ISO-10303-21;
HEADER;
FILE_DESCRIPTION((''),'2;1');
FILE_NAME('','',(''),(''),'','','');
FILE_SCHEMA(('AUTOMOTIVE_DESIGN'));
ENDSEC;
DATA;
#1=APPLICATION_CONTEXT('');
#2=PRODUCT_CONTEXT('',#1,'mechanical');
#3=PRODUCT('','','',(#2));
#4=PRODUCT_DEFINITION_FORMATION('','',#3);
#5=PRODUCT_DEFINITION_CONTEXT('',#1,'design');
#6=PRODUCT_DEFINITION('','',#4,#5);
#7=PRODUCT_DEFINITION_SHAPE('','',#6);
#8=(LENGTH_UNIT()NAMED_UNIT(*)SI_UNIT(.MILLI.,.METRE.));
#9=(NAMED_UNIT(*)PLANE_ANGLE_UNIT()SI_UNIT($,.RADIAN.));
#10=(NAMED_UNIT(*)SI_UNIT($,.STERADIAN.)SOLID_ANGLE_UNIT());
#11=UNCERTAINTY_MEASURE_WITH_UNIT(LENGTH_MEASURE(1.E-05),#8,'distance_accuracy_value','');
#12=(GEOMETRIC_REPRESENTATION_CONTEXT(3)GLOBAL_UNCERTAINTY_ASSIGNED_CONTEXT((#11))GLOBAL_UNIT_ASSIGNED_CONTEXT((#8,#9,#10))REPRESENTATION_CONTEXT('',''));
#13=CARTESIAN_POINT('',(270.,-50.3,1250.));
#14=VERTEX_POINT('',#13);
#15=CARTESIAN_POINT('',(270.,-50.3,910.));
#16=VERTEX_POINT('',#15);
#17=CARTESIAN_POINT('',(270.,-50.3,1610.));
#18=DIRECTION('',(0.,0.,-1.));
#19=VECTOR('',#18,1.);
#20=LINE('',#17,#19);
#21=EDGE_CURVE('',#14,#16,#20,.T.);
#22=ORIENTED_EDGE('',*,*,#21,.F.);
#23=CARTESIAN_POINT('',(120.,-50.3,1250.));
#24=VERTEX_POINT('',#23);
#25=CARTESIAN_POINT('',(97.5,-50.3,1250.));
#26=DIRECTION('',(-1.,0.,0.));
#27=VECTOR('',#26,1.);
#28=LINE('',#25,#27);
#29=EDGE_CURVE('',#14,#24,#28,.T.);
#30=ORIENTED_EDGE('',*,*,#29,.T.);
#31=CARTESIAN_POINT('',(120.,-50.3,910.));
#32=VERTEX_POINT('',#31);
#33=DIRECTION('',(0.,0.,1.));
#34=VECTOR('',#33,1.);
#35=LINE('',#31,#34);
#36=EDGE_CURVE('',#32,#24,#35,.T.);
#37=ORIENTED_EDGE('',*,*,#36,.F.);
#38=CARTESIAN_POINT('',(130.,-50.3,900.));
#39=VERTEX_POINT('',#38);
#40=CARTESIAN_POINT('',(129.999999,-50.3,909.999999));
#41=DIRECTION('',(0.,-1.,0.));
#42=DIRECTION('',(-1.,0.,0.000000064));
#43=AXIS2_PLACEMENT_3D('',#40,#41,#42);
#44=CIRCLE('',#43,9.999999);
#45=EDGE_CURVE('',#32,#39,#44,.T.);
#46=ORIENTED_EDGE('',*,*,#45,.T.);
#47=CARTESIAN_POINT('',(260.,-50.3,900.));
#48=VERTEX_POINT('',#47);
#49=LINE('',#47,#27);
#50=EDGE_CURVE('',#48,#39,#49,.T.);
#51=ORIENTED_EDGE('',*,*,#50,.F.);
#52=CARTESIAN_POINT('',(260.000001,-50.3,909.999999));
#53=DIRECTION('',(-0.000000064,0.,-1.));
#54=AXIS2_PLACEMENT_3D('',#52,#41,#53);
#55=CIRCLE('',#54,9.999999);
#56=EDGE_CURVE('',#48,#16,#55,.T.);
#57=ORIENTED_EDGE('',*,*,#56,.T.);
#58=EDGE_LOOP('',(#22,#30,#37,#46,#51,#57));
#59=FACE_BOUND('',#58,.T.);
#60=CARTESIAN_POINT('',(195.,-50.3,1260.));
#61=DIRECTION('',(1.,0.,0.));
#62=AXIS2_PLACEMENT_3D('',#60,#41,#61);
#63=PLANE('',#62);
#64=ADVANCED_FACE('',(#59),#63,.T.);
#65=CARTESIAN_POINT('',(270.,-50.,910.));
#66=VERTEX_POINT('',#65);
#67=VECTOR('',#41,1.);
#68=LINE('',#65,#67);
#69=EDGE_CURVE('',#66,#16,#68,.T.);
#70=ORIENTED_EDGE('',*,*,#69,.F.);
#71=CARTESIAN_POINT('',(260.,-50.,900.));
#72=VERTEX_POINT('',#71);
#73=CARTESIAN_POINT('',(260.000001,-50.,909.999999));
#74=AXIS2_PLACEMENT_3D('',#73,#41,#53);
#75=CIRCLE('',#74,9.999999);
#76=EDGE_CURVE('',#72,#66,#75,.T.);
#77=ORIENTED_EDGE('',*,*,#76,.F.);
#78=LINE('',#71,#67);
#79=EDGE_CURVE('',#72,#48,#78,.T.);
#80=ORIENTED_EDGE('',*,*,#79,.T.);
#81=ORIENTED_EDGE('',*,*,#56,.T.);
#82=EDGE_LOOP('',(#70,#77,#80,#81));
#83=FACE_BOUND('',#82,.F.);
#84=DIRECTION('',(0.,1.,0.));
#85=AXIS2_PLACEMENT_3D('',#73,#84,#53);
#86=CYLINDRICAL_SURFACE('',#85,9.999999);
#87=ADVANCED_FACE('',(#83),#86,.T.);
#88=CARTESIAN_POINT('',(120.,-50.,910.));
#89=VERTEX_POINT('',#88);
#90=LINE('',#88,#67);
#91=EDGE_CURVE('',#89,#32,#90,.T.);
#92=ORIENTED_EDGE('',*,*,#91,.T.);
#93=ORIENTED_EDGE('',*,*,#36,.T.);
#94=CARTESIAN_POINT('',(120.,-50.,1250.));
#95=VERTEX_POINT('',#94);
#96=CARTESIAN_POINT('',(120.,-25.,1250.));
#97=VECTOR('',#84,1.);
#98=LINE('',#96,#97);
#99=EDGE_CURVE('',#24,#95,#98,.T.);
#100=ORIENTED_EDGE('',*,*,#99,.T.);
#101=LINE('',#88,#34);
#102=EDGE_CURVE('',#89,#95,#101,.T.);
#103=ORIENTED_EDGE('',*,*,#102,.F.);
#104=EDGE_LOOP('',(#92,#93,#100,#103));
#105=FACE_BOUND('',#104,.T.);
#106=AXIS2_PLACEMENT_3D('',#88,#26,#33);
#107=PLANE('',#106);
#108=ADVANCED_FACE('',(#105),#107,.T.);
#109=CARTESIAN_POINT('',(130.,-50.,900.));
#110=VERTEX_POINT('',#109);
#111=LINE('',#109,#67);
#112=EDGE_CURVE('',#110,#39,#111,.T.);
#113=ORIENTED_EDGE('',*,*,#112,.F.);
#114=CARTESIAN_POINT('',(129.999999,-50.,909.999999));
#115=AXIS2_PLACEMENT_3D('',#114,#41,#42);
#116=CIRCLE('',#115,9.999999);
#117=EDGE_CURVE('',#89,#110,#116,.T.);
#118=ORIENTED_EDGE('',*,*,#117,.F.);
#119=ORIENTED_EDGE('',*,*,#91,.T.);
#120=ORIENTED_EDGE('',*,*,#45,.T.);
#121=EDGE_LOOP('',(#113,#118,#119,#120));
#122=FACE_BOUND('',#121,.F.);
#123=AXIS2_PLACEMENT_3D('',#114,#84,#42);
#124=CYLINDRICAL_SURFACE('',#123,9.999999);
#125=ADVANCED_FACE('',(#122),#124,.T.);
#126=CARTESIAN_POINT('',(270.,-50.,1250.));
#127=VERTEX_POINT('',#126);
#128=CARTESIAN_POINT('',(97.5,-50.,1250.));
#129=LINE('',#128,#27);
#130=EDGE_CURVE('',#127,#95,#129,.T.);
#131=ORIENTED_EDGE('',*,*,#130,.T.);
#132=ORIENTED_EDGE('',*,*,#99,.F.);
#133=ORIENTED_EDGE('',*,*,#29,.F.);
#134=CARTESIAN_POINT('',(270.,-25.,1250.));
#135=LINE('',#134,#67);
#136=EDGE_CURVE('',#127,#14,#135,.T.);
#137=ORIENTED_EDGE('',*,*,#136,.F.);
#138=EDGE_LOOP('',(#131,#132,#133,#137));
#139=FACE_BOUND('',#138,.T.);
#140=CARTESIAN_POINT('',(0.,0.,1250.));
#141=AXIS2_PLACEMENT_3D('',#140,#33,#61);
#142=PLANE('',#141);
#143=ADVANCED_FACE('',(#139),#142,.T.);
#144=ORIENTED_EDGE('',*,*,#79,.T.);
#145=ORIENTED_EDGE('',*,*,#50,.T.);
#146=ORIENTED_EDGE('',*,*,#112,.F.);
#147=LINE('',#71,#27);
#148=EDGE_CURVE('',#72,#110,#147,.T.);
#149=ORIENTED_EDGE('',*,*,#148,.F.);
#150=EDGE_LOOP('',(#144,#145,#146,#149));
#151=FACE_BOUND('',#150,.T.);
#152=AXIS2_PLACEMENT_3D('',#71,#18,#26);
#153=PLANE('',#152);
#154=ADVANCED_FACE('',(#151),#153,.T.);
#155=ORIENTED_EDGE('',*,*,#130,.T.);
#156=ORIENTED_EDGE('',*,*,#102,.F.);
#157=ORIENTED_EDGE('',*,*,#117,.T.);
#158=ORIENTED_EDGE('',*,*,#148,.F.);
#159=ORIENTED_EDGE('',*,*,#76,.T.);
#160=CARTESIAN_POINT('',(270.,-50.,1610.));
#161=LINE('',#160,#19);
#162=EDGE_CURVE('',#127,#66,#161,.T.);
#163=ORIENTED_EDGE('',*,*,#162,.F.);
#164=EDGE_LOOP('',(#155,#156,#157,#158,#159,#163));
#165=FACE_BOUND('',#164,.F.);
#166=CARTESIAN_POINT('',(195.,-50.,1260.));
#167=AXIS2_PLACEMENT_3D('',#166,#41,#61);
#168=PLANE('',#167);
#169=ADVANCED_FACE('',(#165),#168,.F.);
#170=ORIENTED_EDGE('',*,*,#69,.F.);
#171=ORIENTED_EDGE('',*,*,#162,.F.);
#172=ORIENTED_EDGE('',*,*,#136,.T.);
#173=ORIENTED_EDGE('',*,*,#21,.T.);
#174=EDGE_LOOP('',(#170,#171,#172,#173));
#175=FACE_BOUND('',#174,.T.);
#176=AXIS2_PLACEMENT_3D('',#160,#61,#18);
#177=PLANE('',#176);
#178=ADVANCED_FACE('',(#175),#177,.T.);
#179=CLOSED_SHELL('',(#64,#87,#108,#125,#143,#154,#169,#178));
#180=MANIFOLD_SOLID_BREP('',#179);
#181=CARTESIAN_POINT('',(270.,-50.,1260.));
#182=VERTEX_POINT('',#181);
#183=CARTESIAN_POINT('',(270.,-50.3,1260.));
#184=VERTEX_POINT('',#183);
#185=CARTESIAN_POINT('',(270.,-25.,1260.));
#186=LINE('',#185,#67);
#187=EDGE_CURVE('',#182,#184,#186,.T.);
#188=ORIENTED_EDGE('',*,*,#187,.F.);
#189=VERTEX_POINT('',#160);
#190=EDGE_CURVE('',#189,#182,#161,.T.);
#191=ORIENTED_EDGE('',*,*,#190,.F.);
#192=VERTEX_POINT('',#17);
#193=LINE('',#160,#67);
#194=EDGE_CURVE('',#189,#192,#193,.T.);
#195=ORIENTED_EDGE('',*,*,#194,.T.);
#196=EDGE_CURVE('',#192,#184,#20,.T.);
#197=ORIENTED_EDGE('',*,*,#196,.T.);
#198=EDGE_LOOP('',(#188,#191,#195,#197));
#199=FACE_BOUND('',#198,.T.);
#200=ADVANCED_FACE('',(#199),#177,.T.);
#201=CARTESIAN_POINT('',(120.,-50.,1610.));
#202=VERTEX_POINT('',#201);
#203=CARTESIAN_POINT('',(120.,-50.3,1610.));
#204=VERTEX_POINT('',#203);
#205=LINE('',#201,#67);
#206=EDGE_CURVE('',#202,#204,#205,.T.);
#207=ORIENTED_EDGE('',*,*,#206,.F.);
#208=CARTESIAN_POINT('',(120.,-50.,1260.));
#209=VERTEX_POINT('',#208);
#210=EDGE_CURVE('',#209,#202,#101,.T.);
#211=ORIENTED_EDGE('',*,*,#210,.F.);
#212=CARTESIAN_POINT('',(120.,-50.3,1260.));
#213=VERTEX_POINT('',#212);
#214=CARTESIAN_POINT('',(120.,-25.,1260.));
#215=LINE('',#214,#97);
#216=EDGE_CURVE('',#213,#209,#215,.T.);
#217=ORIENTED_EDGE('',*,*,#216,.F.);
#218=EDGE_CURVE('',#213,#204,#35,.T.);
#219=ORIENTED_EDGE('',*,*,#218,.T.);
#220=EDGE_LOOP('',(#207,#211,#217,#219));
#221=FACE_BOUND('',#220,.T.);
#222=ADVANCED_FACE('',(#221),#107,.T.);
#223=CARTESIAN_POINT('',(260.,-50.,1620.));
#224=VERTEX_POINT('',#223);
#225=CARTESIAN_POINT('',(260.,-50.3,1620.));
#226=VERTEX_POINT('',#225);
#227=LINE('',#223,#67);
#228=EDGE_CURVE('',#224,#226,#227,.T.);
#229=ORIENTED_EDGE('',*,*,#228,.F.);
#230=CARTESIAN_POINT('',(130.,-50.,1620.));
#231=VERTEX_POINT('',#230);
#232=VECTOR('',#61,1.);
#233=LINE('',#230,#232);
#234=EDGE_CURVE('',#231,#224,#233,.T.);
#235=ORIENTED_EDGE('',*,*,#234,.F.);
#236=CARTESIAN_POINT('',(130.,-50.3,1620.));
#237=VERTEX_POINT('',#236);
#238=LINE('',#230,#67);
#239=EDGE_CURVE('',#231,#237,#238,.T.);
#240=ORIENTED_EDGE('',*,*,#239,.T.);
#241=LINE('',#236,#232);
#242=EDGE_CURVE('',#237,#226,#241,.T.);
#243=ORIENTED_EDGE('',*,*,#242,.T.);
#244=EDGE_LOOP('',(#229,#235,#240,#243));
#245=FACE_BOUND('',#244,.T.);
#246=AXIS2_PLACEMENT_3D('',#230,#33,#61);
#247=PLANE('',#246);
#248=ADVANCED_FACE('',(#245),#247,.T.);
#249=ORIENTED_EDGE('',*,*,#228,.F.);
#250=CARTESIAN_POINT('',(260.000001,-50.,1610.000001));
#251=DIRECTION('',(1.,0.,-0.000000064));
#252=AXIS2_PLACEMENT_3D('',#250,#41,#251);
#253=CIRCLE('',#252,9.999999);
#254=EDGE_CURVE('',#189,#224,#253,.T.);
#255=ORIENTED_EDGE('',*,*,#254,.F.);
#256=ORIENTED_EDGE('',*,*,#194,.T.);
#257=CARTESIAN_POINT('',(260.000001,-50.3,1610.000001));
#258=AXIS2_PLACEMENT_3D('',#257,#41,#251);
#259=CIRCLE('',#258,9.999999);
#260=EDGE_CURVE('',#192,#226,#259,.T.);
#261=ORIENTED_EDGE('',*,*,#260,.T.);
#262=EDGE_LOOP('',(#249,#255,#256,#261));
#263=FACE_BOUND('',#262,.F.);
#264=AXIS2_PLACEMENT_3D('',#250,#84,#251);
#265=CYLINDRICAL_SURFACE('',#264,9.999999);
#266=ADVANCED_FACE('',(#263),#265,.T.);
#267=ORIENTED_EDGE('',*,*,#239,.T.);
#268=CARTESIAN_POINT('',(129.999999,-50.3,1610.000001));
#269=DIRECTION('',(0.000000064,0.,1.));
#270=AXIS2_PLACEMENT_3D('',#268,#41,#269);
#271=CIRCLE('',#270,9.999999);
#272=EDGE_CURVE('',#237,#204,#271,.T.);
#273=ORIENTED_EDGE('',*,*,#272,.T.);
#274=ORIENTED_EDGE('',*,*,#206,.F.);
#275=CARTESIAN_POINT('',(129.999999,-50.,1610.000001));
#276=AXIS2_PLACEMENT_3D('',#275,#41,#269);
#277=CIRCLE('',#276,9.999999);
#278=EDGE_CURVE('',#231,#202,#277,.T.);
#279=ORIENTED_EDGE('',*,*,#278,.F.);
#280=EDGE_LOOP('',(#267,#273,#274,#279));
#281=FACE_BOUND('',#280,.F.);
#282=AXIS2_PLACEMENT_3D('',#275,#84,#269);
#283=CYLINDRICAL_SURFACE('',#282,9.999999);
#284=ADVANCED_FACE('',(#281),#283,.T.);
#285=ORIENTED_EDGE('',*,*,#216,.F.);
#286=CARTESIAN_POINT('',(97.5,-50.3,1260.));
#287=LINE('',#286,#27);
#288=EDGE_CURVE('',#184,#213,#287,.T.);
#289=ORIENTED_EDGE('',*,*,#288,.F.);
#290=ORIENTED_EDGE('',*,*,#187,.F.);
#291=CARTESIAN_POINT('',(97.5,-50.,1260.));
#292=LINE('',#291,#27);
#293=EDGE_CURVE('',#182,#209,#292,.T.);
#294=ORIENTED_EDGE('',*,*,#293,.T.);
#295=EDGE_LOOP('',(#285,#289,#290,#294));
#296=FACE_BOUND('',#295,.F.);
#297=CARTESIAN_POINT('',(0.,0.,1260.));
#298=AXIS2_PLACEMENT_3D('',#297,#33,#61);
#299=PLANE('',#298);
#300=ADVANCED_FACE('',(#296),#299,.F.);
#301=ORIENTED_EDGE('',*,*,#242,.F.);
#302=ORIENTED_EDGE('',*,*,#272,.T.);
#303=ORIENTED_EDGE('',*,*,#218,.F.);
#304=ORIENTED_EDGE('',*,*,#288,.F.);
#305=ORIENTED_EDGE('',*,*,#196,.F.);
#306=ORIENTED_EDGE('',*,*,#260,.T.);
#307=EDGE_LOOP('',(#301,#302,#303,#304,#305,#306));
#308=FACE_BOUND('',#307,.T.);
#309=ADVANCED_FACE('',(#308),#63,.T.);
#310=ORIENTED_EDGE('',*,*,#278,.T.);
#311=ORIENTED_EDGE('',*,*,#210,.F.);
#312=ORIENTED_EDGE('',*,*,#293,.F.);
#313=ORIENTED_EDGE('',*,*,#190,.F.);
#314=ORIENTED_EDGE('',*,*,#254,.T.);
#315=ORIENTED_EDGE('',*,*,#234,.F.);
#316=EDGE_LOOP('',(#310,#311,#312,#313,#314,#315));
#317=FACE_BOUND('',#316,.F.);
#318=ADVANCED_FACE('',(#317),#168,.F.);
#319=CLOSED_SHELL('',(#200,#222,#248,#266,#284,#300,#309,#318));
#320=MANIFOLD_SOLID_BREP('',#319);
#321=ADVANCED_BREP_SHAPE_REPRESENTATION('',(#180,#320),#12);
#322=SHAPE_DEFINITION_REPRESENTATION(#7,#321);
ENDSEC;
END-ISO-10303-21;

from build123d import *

# Parameters (mm, degrees)
RECTANGLE_W      = 1217.787964
RECTANGLE_H      = 10
EXTRUDE008_DEPTH = 150
EXTRUDE007_DEPTH = 0.3


with BuildPart() as extrude008:
    # Rectangle → Extrude008 (new body)
    with BuildSketch(Plane.XZ):
        with Locations((608.893982, 5)):
            Rectangle(RECTANGLE_W, RECTANGLE_H)
    extrude(amount=EXTRUDE008_DEPTH)


with BuildPart() as extrude008_1:
    # Extrude008 placement: moved
    add(extrude008.part.moved(Location((0, 0, 1250))))


with BuildPart() as cut:
    # Sketch007 → Extrude007 (new body)
    with BuildSketch(Plane.XZ):
        with BuildLine():
            ThreePointArc((10, 720), (2.928932, 717.071068), (0, 710))
            Line((0, 10), (0, 710))
            ThreePointArc((0, 10), (2.928932, 2.928932), (10, 0))
            Line((140, 0), (10, 0))
            ThreePointArc((140, 0), (147.071068, 2.928932), (150, 10))
            Line((150, 710), (150, 10))
            ThreePointArc((150, 710), (147.071068, 717.071068), (140, 720))
            Line((10, 720), (140, 720))
        make_face()
    extrude(amount=EXTRUDE007_DEPTH)


with BuildPart() as cut_1:
    # Extrude007 placement: moved
    add(cut.part.moved(Location((120, -50, 900))))

    # Cut: cut Extrude008
    add(extrude008_1.part, mode=Mode.SUBTRACT)


solid = cut_1.part
